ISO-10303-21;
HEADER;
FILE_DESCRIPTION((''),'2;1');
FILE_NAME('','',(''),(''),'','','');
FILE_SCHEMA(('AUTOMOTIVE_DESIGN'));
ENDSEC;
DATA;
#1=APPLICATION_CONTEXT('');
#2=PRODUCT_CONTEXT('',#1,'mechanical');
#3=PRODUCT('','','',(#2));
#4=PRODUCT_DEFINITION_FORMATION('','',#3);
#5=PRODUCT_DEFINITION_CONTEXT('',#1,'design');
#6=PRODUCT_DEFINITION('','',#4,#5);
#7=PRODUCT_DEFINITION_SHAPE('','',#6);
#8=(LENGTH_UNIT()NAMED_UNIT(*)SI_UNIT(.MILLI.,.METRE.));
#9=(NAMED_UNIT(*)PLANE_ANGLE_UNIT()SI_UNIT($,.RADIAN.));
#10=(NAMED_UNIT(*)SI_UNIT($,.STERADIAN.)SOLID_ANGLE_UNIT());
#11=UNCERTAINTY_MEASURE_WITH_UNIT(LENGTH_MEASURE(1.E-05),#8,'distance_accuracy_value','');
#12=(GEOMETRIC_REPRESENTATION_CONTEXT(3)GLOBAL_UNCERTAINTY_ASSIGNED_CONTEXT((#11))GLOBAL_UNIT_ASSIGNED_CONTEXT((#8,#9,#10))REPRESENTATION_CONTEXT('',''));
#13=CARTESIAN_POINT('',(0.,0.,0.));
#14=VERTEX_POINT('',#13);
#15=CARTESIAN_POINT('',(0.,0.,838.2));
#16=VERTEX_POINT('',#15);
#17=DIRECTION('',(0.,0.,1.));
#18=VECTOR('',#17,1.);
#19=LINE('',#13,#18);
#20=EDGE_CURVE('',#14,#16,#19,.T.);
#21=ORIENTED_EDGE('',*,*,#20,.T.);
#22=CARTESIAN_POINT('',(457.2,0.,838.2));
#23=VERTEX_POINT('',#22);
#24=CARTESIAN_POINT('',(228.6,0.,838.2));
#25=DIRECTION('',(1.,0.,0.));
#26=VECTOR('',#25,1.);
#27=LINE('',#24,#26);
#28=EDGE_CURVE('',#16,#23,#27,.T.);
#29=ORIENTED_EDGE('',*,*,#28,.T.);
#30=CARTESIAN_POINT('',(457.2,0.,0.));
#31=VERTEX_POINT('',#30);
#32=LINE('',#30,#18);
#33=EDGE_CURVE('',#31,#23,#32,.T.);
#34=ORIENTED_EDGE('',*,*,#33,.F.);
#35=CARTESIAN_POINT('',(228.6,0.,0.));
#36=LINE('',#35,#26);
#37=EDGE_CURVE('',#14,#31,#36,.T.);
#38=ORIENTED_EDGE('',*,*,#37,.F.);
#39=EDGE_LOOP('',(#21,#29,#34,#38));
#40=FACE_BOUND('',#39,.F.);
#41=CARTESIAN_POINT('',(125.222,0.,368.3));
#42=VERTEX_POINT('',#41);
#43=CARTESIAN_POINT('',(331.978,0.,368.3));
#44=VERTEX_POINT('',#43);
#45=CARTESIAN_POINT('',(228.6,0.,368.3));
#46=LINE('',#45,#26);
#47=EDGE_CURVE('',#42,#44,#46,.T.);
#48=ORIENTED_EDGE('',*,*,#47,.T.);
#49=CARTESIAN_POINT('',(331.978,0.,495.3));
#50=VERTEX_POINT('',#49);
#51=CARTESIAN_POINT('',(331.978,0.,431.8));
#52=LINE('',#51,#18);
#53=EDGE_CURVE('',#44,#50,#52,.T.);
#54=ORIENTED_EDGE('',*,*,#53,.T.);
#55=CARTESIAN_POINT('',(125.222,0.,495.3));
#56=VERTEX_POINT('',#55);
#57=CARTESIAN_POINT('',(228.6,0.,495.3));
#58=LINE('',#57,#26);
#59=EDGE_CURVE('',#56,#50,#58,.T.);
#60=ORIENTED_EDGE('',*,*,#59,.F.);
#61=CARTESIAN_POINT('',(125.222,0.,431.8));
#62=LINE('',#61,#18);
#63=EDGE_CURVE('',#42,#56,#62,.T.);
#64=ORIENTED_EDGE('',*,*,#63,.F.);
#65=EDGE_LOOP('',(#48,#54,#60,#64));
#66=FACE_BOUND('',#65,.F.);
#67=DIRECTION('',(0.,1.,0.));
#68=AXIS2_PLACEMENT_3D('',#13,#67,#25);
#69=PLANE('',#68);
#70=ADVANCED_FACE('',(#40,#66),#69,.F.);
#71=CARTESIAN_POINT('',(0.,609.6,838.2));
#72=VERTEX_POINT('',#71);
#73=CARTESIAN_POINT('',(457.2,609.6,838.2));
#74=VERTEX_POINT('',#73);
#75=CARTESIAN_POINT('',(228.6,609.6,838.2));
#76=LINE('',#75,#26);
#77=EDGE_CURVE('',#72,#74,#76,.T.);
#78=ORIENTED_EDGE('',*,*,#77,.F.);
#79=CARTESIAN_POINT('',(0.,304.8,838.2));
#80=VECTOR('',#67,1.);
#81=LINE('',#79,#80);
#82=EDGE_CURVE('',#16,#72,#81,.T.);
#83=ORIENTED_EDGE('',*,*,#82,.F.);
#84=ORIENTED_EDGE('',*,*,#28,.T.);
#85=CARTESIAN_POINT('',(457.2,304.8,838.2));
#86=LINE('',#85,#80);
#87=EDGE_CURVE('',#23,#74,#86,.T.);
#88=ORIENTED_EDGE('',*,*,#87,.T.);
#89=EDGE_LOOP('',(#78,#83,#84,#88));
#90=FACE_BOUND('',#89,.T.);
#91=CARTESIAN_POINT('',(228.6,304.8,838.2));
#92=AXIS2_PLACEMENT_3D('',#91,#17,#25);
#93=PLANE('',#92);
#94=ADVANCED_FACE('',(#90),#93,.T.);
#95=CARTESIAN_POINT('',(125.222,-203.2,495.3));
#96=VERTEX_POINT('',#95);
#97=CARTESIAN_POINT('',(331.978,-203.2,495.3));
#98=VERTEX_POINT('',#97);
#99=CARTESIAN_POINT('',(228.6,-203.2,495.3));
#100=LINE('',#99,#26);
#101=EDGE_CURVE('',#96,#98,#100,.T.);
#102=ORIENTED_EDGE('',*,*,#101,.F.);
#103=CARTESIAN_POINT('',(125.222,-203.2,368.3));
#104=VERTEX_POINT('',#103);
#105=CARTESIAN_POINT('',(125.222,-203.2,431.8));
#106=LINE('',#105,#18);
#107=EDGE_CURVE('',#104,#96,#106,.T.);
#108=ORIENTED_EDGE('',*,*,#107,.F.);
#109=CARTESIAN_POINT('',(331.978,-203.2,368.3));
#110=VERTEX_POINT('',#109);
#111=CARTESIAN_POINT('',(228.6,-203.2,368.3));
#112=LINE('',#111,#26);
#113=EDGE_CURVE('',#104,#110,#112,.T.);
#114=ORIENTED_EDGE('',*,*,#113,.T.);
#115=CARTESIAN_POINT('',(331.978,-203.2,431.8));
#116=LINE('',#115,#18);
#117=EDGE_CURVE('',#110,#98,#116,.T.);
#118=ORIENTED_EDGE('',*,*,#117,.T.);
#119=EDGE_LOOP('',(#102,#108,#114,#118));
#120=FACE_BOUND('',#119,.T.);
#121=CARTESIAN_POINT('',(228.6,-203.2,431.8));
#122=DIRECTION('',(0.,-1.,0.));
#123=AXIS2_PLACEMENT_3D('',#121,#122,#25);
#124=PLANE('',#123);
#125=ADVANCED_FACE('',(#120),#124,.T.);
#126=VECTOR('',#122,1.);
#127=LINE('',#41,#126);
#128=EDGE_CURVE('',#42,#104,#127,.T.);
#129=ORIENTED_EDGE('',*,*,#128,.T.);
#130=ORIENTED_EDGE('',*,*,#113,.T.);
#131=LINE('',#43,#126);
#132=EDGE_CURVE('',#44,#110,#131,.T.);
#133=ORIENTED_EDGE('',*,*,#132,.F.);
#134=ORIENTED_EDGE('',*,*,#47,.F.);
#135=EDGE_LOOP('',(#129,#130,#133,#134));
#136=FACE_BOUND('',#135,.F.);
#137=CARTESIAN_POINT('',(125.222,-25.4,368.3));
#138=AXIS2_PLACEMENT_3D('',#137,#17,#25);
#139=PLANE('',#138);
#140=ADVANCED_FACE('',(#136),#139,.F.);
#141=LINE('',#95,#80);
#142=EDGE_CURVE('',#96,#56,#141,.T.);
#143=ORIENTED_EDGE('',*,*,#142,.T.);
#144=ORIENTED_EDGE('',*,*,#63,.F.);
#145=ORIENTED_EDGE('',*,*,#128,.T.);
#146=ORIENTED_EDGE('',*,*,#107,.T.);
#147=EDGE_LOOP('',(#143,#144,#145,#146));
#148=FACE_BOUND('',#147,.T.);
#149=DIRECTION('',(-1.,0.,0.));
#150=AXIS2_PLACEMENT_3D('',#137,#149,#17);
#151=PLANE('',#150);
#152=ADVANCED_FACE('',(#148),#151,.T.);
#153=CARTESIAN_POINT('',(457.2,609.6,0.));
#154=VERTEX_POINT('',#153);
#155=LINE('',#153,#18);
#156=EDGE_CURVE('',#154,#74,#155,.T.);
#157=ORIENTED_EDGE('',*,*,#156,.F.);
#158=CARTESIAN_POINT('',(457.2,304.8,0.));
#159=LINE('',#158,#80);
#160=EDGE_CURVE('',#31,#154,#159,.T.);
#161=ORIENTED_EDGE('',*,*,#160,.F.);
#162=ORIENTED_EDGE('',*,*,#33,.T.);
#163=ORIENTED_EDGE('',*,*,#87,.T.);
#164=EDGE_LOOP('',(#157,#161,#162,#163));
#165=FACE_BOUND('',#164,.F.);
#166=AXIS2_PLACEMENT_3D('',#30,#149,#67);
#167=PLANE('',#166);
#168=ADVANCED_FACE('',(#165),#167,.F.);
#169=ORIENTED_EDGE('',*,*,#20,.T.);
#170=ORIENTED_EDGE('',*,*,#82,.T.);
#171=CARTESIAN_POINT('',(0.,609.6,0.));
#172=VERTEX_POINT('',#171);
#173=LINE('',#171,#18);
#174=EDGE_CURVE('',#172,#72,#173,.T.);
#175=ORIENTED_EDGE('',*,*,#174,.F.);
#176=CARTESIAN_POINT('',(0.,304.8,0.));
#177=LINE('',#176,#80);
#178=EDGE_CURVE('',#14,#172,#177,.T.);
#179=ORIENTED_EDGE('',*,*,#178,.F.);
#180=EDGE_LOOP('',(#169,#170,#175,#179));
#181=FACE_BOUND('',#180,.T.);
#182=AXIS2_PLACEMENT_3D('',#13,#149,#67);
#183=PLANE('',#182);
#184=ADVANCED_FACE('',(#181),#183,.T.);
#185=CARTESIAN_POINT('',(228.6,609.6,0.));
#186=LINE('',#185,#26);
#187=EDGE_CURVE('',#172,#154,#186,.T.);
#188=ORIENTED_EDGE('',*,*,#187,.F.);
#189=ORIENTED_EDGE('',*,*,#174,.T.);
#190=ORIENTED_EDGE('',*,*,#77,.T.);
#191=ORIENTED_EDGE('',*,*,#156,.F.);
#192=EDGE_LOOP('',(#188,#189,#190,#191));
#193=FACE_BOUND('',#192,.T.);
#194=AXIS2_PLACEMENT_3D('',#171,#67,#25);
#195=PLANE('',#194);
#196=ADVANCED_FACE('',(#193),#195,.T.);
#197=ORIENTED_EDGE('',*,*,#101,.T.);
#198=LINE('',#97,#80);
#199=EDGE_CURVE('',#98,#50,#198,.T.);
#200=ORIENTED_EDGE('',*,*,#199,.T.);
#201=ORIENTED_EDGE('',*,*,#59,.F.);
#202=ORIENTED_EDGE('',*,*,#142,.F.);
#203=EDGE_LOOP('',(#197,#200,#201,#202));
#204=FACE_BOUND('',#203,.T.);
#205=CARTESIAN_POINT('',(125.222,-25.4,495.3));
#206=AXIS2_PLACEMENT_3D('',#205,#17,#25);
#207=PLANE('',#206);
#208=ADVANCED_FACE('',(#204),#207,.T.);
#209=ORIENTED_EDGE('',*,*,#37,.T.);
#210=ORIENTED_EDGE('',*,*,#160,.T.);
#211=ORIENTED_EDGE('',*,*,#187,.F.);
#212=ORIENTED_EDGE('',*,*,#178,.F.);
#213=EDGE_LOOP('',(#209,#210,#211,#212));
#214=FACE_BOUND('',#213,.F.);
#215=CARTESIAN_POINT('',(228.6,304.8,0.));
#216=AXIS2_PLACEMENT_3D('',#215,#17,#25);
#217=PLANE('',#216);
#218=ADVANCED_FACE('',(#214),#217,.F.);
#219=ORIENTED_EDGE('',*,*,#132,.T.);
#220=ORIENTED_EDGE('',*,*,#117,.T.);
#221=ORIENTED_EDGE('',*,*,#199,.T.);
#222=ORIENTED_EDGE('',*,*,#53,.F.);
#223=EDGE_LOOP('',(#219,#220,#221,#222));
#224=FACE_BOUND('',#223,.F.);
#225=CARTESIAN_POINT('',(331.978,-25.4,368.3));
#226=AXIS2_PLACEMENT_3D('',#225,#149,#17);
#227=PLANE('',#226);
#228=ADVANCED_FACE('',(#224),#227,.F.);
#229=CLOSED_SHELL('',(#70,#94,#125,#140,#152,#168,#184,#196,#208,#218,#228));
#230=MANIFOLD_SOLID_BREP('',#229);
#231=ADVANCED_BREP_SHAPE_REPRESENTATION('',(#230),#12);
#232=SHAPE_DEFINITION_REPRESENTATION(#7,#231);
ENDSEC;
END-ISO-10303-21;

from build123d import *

# Parameters (mm, degrees)
F0_W      = 457.2
F0_H      = 609.6
F1_DEPTH  = 838.2
F2_W      = 206.756
F2_H      = 127
F3_DEPTH  = 25.4
F3_FACE_W = 206.756
F3_FACE_H = 127
F4_DEPTH  = 177.8


with BuildPart() as f1:
    # F0 (on Top) → F1 (new body)
    with BuildSketch(Plane.XY):
        with Locations((228.6, 304.8)):
            Rectangle(F0_W, F0_H)
    extrude(amount=F1_DEPTH)

    # F2 (on face) → F3 (join)
    with BuildSketch(Plane.XZ):
        with Locations((228.6, 431.8)):
            Rectangle(F2_W, F2_H)
    extrude(amount=F3_DEPTH)

    # F3_face (on face) → F4 (join)
    with BuildSketch(Plane(origin=(228.6, -25.4, 431.8), x_dir=(1, 0, 0), z_dir=(0, -1, 0))):
        Rectangle(F3_FACE_W, F3_FACE_H)
    extrude(amount=F4_DEPTH)


solid = f1.part
